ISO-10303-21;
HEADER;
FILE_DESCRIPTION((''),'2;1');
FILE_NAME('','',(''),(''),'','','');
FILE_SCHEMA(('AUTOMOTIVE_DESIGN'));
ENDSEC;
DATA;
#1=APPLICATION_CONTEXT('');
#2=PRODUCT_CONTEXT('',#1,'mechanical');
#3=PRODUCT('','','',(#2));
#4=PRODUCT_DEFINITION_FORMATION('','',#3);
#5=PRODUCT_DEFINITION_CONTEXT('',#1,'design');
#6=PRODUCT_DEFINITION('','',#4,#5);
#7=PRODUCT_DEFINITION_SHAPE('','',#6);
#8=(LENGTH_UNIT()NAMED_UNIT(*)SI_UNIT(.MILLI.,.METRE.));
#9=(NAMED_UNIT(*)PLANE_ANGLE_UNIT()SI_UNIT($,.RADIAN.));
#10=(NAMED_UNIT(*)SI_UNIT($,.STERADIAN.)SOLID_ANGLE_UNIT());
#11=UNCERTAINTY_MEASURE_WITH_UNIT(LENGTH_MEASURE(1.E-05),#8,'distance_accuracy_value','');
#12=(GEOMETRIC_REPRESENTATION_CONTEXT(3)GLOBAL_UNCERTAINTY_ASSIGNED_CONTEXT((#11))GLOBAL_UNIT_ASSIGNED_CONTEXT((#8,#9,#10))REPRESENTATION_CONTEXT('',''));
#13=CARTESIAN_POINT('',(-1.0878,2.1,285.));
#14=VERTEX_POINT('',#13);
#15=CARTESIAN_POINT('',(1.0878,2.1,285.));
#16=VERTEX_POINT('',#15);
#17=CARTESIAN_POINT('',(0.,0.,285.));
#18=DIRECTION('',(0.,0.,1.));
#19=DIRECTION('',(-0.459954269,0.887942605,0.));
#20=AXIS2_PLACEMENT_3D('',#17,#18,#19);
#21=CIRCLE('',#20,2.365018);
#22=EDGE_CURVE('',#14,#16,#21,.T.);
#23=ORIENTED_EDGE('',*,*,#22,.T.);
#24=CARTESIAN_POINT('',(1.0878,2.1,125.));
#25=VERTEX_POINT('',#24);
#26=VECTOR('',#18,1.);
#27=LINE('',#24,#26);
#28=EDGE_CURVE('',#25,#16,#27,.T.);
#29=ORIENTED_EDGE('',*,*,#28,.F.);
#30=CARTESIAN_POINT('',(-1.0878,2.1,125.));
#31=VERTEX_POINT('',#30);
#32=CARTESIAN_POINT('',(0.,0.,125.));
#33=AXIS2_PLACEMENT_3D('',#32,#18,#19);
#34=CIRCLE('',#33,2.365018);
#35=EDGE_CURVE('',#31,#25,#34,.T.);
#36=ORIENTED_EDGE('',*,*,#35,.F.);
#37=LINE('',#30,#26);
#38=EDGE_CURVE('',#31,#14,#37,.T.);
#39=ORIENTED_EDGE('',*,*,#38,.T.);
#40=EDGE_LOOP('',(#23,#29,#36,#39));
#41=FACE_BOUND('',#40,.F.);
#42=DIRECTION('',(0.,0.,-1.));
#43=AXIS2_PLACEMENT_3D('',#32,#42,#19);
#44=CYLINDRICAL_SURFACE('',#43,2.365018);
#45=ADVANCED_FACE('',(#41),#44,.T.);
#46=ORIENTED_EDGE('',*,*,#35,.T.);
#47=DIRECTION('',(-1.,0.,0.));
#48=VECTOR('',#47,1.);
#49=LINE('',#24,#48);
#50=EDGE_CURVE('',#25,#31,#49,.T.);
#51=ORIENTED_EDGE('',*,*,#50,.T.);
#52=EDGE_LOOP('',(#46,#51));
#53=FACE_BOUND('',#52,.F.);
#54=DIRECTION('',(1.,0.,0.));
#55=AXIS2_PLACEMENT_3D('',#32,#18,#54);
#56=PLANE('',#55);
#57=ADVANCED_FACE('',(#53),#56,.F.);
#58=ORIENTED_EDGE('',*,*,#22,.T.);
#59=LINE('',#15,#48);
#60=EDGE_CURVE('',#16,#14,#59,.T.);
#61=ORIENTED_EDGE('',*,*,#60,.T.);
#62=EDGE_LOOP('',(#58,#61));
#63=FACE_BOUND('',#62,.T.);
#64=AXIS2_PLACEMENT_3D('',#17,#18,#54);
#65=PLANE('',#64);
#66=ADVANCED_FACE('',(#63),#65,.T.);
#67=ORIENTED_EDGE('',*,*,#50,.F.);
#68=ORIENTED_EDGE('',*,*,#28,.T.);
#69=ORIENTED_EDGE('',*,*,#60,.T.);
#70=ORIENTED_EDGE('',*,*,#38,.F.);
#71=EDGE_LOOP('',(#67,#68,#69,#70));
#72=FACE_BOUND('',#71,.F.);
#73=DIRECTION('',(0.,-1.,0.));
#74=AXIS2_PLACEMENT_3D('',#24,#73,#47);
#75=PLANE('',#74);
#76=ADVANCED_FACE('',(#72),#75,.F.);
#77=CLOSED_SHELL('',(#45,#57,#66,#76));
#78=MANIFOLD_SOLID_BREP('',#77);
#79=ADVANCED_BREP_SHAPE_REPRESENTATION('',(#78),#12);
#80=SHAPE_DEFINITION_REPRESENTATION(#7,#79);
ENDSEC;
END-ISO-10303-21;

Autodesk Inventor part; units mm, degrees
ref_plane "FRONT" through (0, 0, 0) normal (0, 0, 1) x (1, 0, 0)
ref_plane "TOP" through (0, 0, 0) normal (0, 1, 0) x (-1, 0, 0)
ref_plane "RIGHT" through (0, 0, 0) normal (1, 0, 0) x (0, 1, 0)
ref_plane "Work Plane4" through (0, 0, 125) normal (0, 0, 1) x (1, 0, 0)
sketch "Sketch1" plane through (0, 0, 125) normal (0, 0, 1) x (1, 0, 0)
  arc A0 (-1.0878, 2.1) -> (1.0878, 2.1) centre (0, 0) ccw projected
  line L0 (1.0878, 2.1) -> (-1.0878, 2.1) projected
extrude "Extrusion1" add sketch "Sketch1" along normal blind 160
properties part number "Bucket - Axle"
